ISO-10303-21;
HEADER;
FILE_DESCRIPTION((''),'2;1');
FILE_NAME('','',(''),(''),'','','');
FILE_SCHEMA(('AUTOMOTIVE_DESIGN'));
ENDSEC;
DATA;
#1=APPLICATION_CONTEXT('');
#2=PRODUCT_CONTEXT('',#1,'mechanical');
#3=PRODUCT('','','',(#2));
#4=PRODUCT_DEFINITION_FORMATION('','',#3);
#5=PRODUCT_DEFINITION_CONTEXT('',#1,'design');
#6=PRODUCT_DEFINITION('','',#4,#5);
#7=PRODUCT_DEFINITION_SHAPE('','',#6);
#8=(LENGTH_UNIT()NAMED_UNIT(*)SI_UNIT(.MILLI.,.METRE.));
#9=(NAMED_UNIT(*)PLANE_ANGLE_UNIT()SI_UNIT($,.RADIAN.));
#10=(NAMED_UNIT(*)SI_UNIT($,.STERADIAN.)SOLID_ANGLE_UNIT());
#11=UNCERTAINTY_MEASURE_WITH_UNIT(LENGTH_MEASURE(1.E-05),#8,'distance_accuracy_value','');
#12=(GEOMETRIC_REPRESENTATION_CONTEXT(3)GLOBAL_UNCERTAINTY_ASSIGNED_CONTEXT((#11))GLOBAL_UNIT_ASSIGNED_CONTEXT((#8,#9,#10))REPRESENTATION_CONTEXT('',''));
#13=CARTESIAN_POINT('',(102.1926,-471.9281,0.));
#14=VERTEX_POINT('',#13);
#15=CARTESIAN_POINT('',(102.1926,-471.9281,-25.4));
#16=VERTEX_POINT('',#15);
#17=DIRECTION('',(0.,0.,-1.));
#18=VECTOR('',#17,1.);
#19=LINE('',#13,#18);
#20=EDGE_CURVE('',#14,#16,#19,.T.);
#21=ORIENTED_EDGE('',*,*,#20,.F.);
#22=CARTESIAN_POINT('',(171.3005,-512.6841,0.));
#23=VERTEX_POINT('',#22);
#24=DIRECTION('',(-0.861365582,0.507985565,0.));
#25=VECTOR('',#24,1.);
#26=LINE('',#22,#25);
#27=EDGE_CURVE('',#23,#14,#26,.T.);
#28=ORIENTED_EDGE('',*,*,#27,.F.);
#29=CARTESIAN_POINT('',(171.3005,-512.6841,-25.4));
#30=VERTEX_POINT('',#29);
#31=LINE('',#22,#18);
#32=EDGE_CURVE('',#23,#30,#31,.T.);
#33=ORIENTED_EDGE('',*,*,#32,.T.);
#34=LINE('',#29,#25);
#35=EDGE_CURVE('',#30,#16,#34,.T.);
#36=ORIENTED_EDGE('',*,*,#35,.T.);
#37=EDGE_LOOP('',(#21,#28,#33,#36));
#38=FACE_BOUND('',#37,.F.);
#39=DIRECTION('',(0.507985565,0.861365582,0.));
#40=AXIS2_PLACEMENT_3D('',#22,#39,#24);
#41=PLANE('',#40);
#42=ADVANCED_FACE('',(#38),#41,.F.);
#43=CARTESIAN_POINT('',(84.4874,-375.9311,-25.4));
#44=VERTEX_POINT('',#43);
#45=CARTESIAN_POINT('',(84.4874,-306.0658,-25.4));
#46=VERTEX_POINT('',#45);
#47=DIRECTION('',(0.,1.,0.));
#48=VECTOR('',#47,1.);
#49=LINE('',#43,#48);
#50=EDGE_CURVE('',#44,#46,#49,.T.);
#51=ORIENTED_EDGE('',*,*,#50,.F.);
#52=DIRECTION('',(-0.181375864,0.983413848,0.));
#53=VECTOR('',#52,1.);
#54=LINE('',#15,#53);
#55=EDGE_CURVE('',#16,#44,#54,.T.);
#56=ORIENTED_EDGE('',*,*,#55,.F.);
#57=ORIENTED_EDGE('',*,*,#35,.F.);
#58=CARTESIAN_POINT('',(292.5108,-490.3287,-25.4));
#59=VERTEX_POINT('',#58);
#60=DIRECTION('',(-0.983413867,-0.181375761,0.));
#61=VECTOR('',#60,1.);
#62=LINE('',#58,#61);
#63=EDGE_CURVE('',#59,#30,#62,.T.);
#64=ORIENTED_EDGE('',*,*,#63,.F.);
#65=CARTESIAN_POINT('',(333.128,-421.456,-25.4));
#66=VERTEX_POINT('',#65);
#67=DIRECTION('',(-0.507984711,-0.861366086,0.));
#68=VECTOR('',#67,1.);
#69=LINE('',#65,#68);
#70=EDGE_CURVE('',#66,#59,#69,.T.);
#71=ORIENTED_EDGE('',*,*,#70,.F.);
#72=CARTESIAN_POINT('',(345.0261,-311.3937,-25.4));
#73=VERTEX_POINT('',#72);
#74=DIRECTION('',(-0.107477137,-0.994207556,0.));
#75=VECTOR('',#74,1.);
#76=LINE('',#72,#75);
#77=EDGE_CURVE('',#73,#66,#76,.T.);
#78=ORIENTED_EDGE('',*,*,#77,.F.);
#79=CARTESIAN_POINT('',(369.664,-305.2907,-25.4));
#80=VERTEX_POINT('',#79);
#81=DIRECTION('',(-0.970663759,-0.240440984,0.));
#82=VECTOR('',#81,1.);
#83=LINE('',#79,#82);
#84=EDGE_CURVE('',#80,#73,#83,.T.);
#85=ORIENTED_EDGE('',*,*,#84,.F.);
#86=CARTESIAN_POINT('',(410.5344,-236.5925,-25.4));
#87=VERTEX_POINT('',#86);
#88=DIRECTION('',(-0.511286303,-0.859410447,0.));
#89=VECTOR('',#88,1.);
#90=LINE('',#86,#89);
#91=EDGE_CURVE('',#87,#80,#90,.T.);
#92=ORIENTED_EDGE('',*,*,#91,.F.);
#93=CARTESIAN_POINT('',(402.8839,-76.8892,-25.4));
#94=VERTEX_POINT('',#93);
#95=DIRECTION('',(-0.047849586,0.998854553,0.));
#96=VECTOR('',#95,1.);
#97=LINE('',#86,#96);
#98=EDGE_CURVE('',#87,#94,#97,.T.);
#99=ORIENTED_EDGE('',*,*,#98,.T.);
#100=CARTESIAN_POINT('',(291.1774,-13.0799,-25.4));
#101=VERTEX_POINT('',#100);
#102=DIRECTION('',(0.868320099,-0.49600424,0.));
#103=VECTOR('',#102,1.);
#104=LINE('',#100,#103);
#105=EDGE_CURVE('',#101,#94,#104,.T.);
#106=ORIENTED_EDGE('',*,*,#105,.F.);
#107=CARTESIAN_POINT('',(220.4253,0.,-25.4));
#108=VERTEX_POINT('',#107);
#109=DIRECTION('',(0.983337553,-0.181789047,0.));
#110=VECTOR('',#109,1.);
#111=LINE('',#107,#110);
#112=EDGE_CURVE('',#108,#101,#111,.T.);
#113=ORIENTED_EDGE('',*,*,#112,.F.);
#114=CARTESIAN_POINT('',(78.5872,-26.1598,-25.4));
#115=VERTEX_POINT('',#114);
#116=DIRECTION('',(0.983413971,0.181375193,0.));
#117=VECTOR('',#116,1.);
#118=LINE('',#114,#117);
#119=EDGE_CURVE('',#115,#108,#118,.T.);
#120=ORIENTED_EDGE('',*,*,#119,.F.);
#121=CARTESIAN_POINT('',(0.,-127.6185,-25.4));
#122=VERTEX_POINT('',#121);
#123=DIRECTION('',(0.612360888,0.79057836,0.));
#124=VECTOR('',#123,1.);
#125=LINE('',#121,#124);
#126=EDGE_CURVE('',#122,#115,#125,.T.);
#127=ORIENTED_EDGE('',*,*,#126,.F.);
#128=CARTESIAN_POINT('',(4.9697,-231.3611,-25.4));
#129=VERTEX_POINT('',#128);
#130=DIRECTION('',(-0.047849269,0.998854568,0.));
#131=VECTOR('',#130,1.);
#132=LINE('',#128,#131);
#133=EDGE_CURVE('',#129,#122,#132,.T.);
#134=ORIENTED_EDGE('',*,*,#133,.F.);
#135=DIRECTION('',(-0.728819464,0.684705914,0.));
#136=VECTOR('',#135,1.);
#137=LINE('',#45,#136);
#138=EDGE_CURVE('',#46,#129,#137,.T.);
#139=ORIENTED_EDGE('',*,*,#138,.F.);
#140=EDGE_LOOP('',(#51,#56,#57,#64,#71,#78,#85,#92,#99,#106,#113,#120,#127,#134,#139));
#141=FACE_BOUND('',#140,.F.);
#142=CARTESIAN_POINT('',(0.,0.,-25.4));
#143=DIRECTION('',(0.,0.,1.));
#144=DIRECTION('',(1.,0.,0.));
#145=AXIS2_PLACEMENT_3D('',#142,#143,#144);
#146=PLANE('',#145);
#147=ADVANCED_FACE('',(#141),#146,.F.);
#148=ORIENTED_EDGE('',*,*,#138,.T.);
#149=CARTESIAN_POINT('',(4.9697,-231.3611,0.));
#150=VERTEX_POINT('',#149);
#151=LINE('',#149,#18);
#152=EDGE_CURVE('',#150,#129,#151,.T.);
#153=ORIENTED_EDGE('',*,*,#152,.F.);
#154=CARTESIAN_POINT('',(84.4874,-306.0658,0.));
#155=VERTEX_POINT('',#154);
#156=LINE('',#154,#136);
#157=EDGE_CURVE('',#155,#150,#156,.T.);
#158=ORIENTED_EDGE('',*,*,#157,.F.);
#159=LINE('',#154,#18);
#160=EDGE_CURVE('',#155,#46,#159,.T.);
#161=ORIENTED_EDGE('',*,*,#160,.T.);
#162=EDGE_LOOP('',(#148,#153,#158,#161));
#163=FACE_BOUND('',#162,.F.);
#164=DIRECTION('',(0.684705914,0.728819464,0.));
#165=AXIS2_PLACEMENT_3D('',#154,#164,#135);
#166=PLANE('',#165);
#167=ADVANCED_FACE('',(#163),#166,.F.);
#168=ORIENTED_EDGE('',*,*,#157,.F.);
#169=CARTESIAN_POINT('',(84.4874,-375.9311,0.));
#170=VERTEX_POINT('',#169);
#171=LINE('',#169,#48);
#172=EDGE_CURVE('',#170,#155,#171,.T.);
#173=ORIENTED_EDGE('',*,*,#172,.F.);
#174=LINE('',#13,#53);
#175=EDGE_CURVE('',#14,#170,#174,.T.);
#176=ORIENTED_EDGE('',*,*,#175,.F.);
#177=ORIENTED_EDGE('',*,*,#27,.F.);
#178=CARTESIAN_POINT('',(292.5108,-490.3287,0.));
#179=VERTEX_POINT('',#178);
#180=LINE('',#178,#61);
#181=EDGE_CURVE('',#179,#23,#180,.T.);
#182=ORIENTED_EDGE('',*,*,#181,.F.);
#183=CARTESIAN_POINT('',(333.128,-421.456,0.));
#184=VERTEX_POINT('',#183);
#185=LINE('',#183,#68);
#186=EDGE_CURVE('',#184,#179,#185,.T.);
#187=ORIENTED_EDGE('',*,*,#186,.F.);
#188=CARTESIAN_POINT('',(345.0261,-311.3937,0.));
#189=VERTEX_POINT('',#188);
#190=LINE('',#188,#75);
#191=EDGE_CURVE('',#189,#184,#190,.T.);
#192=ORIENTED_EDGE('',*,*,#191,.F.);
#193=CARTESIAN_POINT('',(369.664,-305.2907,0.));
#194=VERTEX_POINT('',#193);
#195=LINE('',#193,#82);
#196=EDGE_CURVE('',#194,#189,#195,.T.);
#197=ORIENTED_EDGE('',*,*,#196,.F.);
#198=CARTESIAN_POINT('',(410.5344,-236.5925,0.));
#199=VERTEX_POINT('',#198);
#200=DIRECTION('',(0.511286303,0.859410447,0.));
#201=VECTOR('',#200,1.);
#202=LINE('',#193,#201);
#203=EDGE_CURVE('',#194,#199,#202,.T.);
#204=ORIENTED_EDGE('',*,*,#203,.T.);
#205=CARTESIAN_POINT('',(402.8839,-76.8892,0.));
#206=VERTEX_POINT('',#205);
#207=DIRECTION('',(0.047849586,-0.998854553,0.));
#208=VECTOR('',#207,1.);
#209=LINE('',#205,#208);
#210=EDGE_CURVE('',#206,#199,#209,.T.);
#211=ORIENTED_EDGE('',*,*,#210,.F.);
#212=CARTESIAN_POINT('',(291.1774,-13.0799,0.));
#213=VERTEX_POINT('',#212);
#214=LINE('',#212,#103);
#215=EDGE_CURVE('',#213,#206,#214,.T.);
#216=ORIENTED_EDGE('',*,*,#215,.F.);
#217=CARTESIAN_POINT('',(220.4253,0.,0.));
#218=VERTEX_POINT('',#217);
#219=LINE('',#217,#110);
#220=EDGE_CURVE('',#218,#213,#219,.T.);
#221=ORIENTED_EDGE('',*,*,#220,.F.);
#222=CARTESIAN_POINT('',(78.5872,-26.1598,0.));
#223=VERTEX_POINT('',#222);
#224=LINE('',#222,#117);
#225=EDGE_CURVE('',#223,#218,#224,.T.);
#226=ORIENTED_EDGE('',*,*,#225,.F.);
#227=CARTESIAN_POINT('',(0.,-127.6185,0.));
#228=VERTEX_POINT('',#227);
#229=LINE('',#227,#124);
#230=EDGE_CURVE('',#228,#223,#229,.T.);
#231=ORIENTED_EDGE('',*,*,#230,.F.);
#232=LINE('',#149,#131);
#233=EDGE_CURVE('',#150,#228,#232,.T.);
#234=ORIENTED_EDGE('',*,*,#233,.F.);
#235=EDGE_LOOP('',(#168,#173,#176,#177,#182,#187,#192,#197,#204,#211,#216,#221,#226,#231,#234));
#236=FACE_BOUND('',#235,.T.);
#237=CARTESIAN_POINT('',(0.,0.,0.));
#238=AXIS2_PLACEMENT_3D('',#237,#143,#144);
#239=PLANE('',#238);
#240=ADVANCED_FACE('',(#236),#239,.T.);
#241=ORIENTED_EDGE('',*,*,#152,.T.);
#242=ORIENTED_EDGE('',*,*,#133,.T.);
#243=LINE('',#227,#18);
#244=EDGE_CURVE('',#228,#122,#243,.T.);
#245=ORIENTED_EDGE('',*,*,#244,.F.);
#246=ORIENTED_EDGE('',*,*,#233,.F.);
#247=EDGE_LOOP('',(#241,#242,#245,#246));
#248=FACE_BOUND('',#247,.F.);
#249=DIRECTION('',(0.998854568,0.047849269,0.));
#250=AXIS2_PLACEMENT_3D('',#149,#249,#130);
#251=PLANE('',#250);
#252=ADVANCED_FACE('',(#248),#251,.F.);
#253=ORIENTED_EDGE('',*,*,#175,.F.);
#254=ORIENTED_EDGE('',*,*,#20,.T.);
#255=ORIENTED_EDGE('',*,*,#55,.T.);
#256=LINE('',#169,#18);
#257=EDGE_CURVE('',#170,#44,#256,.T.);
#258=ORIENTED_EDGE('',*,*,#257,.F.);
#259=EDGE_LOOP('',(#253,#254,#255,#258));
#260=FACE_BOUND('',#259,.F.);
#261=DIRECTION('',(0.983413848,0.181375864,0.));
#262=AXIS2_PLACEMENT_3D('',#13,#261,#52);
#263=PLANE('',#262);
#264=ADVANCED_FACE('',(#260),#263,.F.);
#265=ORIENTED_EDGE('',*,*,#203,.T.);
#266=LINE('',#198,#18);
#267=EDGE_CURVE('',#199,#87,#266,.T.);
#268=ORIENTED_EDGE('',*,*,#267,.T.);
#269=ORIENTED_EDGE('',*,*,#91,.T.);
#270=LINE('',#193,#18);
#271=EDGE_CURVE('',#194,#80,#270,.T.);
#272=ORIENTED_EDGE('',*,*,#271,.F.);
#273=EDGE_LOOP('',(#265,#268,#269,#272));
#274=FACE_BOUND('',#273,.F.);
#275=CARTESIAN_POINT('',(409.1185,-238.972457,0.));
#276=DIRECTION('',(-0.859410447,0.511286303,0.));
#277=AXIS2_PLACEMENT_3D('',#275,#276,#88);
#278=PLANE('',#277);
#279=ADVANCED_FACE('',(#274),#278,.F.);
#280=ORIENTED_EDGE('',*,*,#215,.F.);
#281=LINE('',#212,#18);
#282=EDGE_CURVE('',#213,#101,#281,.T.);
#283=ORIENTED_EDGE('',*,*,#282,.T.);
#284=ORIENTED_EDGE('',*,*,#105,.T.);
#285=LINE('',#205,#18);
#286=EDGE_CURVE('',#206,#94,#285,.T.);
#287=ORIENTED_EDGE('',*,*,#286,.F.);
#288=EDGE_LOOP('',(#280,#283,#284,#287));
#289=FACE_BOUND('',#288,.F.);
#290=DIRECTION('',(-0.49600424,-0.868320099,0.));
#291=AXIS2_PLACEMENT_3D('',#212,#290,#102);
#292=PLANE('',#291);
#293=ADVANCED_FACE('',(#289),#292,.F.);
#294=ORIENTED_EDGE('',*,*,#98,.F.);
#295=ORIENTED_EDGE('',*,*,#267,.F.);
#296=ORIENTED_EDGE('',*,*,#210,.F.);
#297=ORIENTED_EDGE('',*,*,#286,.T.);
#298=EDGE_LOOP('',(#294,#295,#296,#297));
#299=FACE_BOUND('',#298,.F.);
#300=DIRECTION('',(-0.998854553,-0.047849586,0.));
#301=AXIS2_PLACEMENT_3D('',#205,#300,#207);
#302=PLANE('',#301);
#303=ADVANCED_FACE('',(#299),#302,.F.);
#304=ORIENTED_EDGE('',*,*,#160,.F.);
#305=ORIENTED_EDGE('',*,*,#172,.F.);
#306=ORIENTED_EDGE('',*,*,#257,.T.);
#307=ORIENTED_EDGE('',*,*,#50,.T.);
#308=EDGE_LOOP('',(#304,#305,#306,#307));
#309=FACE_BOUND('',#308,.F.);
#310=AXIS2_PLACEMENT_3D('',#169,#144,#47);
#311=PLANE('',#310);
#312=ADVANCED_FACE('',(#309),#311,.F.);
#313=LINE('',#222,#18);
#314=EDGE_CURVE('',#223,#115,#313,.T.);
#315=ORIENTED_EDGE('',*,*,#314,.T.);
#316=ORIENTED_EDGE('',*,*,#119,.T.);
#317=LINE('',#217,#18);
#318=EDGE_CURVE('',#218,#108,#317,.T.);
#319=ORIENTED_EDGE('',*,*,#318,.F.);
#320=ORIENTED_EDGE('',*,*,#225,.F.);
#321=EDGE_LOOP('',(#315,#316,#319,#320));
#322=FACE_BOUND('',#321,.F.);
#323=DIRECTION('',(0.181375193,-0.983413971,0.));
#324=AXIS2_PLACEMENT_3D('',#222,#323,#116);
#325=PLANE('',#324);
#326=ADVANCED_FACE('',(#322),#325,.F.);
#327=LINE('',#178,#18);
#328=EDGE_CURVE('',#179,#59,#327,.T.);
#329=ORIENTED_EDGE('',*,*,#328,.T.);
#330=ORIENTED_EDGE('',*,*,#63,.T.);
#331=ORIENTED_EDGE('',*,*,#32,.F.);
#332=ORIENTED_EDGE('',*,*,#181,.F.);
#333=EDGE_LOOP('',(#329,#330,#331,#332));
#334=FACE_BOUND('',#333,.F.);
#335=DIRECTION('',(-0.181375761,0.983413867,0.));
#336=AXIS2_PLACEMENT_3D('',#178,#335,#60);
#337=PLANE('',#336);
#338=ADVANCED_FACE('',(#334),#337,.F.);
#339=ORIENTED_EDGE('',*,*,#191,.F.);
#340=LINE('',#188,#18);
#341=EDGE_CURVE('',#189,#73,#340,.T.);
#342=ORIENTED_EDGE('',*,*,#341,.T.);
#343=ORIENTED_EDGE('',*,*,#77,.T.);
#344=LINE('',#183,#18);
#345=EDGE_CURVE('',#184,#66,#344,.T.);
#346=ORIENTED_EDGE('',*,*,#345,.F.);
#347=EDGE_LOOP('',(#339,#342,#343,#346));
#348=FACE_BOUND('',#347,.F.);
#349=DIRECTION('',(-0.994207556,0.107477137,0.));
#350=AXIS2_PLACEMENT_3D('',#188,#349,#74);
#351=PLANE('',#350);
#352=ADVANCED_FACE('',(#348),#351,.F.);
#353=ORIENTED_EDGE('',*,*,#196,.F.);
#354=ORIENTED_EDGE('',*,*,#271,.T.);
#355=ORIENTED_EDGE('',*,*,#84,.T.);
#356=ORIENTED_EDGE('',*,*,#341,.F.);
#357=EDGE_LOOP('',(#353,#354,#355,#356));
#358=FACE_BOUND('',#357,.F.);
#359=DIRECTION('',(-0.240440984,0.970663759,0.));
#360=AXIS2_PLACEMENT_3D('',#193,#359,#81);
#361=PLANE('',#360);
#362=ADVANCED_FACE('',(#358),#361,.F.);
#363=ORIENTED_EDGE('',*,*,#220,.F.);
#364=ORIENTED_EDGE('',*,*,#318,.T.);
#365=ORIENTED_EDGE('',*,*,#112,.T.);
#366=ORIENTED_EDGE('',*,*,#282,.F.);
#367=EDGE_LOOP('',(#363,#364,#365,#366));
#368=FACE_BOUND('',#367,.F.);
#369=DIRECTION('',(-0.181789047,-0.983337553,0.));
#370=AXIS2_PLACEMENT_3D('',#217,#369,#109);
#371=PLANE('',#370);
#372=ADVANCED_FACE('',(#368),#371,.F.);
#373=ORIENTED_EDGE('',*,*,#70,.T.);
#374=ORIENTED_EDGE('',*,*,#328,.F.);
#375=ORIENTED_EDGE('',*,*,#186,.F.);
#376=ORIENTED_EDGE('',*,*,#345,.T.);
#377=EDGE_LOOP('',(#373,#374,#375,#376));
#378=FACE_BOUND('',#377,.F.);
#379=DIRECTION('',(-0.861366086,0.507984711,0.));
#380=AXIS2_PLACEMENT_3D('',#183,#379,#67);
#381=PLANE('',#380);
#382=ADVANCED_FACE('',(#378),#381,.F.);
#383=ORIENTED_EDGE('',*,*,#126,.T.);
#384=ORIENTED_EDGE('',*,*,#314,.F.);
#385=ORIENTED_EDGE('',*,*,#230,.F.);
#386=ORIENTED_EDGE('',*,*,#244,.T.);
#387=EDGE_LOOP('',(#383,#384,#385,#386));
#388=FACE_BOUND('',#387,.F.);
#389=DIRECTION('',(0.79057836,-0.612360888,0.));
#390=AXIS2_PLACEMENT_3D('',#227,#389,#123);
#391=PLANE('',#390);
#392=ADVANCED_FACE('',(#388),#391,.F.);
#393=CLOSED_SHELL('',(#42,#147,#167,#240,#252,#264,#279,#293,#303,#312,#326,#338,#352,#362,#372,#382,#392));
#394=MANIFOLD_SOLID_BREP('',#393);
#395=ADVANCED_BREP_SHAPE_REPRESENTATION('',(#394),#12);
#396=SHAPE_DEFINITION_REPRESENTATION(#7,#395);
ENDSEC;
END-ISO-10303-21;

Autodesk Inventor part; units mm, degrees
ref_plane "YZ Plane" through (0, 0, 0) normal (1, 0, 0) x (0, 1, 0)
ref_plane "XZ Plane" through (0, 0, 0) normal (0, 1, 0) x (-1, 0, 0)
ref_plane "XY Plane" through (0, 0, 0) normal (0, 0, 1) x (1, 0, 0)
sketch "Sketch1" plane through (0, 0, 0) normal (0, 0, 1) x (1, 0, 0)
  line L0 (291.1774, -13.0799) -> (402.8839, -76.8892)
  line L1 (402.8839, -76.8892) -> (410.5344, -236.5925)
  line L2 (410.5344, -236.5925) -> (369.664, -305.2907)
  line L3 (369.664, -305.2907) -> (345.0261, -311.3937)
  line L4 (345.0261, -311.3937) -> (333.128, -421.456)
  line L5 (333.128, -421.456) -> (292.5108, -490.3287)
  line L6 (292.5108, -490.3287) -> (171.3005, -512.6841)
  line L7 (171.3005, -512.6841) -> (102.1926, -471.9281)
  line L8 (102.1926, -471.9281) -> (84.4874, -375.9311)
  line L9 (84.4874, -375.9311) -> (84.4874, -306.0658)
  line L10 (84.4874, -306.0658) -> (4.9697, -231.3611)
  line L11 (4.9697, -231.3611) -> (0, -127.6185)
  line L12 (0, -127.6185) -> (78.5872, -26.1598)
  line L13 (78.5872, -26.1598) -> (220.4253, 0)
  line L14 (220.4253, 0) -> (291.1774, -13.0799)
  line L15 (0, 0) -> (409.1185, 0)
  line L16 (409.1185, 0) -> (409.1185, -512.6841)
  line L17 (409.1185, -512.6841) -> (0, -512.6841)
  line L18 (0, -512.6841) -> (0, 0)
  point P0 (0, 0)
  dimension "d11" = 409.1185
  dimension "d14" = 512.6841
extrude "Extrusion1" add sketch "Sketch1" against normal blind 25.4 contours L0 L1 L16 L2 L3 L4 L5 L6 L7 L8 L9 L10 L11 L12 L13 L14 | L1 L2 L16
properties part number "tbh"
